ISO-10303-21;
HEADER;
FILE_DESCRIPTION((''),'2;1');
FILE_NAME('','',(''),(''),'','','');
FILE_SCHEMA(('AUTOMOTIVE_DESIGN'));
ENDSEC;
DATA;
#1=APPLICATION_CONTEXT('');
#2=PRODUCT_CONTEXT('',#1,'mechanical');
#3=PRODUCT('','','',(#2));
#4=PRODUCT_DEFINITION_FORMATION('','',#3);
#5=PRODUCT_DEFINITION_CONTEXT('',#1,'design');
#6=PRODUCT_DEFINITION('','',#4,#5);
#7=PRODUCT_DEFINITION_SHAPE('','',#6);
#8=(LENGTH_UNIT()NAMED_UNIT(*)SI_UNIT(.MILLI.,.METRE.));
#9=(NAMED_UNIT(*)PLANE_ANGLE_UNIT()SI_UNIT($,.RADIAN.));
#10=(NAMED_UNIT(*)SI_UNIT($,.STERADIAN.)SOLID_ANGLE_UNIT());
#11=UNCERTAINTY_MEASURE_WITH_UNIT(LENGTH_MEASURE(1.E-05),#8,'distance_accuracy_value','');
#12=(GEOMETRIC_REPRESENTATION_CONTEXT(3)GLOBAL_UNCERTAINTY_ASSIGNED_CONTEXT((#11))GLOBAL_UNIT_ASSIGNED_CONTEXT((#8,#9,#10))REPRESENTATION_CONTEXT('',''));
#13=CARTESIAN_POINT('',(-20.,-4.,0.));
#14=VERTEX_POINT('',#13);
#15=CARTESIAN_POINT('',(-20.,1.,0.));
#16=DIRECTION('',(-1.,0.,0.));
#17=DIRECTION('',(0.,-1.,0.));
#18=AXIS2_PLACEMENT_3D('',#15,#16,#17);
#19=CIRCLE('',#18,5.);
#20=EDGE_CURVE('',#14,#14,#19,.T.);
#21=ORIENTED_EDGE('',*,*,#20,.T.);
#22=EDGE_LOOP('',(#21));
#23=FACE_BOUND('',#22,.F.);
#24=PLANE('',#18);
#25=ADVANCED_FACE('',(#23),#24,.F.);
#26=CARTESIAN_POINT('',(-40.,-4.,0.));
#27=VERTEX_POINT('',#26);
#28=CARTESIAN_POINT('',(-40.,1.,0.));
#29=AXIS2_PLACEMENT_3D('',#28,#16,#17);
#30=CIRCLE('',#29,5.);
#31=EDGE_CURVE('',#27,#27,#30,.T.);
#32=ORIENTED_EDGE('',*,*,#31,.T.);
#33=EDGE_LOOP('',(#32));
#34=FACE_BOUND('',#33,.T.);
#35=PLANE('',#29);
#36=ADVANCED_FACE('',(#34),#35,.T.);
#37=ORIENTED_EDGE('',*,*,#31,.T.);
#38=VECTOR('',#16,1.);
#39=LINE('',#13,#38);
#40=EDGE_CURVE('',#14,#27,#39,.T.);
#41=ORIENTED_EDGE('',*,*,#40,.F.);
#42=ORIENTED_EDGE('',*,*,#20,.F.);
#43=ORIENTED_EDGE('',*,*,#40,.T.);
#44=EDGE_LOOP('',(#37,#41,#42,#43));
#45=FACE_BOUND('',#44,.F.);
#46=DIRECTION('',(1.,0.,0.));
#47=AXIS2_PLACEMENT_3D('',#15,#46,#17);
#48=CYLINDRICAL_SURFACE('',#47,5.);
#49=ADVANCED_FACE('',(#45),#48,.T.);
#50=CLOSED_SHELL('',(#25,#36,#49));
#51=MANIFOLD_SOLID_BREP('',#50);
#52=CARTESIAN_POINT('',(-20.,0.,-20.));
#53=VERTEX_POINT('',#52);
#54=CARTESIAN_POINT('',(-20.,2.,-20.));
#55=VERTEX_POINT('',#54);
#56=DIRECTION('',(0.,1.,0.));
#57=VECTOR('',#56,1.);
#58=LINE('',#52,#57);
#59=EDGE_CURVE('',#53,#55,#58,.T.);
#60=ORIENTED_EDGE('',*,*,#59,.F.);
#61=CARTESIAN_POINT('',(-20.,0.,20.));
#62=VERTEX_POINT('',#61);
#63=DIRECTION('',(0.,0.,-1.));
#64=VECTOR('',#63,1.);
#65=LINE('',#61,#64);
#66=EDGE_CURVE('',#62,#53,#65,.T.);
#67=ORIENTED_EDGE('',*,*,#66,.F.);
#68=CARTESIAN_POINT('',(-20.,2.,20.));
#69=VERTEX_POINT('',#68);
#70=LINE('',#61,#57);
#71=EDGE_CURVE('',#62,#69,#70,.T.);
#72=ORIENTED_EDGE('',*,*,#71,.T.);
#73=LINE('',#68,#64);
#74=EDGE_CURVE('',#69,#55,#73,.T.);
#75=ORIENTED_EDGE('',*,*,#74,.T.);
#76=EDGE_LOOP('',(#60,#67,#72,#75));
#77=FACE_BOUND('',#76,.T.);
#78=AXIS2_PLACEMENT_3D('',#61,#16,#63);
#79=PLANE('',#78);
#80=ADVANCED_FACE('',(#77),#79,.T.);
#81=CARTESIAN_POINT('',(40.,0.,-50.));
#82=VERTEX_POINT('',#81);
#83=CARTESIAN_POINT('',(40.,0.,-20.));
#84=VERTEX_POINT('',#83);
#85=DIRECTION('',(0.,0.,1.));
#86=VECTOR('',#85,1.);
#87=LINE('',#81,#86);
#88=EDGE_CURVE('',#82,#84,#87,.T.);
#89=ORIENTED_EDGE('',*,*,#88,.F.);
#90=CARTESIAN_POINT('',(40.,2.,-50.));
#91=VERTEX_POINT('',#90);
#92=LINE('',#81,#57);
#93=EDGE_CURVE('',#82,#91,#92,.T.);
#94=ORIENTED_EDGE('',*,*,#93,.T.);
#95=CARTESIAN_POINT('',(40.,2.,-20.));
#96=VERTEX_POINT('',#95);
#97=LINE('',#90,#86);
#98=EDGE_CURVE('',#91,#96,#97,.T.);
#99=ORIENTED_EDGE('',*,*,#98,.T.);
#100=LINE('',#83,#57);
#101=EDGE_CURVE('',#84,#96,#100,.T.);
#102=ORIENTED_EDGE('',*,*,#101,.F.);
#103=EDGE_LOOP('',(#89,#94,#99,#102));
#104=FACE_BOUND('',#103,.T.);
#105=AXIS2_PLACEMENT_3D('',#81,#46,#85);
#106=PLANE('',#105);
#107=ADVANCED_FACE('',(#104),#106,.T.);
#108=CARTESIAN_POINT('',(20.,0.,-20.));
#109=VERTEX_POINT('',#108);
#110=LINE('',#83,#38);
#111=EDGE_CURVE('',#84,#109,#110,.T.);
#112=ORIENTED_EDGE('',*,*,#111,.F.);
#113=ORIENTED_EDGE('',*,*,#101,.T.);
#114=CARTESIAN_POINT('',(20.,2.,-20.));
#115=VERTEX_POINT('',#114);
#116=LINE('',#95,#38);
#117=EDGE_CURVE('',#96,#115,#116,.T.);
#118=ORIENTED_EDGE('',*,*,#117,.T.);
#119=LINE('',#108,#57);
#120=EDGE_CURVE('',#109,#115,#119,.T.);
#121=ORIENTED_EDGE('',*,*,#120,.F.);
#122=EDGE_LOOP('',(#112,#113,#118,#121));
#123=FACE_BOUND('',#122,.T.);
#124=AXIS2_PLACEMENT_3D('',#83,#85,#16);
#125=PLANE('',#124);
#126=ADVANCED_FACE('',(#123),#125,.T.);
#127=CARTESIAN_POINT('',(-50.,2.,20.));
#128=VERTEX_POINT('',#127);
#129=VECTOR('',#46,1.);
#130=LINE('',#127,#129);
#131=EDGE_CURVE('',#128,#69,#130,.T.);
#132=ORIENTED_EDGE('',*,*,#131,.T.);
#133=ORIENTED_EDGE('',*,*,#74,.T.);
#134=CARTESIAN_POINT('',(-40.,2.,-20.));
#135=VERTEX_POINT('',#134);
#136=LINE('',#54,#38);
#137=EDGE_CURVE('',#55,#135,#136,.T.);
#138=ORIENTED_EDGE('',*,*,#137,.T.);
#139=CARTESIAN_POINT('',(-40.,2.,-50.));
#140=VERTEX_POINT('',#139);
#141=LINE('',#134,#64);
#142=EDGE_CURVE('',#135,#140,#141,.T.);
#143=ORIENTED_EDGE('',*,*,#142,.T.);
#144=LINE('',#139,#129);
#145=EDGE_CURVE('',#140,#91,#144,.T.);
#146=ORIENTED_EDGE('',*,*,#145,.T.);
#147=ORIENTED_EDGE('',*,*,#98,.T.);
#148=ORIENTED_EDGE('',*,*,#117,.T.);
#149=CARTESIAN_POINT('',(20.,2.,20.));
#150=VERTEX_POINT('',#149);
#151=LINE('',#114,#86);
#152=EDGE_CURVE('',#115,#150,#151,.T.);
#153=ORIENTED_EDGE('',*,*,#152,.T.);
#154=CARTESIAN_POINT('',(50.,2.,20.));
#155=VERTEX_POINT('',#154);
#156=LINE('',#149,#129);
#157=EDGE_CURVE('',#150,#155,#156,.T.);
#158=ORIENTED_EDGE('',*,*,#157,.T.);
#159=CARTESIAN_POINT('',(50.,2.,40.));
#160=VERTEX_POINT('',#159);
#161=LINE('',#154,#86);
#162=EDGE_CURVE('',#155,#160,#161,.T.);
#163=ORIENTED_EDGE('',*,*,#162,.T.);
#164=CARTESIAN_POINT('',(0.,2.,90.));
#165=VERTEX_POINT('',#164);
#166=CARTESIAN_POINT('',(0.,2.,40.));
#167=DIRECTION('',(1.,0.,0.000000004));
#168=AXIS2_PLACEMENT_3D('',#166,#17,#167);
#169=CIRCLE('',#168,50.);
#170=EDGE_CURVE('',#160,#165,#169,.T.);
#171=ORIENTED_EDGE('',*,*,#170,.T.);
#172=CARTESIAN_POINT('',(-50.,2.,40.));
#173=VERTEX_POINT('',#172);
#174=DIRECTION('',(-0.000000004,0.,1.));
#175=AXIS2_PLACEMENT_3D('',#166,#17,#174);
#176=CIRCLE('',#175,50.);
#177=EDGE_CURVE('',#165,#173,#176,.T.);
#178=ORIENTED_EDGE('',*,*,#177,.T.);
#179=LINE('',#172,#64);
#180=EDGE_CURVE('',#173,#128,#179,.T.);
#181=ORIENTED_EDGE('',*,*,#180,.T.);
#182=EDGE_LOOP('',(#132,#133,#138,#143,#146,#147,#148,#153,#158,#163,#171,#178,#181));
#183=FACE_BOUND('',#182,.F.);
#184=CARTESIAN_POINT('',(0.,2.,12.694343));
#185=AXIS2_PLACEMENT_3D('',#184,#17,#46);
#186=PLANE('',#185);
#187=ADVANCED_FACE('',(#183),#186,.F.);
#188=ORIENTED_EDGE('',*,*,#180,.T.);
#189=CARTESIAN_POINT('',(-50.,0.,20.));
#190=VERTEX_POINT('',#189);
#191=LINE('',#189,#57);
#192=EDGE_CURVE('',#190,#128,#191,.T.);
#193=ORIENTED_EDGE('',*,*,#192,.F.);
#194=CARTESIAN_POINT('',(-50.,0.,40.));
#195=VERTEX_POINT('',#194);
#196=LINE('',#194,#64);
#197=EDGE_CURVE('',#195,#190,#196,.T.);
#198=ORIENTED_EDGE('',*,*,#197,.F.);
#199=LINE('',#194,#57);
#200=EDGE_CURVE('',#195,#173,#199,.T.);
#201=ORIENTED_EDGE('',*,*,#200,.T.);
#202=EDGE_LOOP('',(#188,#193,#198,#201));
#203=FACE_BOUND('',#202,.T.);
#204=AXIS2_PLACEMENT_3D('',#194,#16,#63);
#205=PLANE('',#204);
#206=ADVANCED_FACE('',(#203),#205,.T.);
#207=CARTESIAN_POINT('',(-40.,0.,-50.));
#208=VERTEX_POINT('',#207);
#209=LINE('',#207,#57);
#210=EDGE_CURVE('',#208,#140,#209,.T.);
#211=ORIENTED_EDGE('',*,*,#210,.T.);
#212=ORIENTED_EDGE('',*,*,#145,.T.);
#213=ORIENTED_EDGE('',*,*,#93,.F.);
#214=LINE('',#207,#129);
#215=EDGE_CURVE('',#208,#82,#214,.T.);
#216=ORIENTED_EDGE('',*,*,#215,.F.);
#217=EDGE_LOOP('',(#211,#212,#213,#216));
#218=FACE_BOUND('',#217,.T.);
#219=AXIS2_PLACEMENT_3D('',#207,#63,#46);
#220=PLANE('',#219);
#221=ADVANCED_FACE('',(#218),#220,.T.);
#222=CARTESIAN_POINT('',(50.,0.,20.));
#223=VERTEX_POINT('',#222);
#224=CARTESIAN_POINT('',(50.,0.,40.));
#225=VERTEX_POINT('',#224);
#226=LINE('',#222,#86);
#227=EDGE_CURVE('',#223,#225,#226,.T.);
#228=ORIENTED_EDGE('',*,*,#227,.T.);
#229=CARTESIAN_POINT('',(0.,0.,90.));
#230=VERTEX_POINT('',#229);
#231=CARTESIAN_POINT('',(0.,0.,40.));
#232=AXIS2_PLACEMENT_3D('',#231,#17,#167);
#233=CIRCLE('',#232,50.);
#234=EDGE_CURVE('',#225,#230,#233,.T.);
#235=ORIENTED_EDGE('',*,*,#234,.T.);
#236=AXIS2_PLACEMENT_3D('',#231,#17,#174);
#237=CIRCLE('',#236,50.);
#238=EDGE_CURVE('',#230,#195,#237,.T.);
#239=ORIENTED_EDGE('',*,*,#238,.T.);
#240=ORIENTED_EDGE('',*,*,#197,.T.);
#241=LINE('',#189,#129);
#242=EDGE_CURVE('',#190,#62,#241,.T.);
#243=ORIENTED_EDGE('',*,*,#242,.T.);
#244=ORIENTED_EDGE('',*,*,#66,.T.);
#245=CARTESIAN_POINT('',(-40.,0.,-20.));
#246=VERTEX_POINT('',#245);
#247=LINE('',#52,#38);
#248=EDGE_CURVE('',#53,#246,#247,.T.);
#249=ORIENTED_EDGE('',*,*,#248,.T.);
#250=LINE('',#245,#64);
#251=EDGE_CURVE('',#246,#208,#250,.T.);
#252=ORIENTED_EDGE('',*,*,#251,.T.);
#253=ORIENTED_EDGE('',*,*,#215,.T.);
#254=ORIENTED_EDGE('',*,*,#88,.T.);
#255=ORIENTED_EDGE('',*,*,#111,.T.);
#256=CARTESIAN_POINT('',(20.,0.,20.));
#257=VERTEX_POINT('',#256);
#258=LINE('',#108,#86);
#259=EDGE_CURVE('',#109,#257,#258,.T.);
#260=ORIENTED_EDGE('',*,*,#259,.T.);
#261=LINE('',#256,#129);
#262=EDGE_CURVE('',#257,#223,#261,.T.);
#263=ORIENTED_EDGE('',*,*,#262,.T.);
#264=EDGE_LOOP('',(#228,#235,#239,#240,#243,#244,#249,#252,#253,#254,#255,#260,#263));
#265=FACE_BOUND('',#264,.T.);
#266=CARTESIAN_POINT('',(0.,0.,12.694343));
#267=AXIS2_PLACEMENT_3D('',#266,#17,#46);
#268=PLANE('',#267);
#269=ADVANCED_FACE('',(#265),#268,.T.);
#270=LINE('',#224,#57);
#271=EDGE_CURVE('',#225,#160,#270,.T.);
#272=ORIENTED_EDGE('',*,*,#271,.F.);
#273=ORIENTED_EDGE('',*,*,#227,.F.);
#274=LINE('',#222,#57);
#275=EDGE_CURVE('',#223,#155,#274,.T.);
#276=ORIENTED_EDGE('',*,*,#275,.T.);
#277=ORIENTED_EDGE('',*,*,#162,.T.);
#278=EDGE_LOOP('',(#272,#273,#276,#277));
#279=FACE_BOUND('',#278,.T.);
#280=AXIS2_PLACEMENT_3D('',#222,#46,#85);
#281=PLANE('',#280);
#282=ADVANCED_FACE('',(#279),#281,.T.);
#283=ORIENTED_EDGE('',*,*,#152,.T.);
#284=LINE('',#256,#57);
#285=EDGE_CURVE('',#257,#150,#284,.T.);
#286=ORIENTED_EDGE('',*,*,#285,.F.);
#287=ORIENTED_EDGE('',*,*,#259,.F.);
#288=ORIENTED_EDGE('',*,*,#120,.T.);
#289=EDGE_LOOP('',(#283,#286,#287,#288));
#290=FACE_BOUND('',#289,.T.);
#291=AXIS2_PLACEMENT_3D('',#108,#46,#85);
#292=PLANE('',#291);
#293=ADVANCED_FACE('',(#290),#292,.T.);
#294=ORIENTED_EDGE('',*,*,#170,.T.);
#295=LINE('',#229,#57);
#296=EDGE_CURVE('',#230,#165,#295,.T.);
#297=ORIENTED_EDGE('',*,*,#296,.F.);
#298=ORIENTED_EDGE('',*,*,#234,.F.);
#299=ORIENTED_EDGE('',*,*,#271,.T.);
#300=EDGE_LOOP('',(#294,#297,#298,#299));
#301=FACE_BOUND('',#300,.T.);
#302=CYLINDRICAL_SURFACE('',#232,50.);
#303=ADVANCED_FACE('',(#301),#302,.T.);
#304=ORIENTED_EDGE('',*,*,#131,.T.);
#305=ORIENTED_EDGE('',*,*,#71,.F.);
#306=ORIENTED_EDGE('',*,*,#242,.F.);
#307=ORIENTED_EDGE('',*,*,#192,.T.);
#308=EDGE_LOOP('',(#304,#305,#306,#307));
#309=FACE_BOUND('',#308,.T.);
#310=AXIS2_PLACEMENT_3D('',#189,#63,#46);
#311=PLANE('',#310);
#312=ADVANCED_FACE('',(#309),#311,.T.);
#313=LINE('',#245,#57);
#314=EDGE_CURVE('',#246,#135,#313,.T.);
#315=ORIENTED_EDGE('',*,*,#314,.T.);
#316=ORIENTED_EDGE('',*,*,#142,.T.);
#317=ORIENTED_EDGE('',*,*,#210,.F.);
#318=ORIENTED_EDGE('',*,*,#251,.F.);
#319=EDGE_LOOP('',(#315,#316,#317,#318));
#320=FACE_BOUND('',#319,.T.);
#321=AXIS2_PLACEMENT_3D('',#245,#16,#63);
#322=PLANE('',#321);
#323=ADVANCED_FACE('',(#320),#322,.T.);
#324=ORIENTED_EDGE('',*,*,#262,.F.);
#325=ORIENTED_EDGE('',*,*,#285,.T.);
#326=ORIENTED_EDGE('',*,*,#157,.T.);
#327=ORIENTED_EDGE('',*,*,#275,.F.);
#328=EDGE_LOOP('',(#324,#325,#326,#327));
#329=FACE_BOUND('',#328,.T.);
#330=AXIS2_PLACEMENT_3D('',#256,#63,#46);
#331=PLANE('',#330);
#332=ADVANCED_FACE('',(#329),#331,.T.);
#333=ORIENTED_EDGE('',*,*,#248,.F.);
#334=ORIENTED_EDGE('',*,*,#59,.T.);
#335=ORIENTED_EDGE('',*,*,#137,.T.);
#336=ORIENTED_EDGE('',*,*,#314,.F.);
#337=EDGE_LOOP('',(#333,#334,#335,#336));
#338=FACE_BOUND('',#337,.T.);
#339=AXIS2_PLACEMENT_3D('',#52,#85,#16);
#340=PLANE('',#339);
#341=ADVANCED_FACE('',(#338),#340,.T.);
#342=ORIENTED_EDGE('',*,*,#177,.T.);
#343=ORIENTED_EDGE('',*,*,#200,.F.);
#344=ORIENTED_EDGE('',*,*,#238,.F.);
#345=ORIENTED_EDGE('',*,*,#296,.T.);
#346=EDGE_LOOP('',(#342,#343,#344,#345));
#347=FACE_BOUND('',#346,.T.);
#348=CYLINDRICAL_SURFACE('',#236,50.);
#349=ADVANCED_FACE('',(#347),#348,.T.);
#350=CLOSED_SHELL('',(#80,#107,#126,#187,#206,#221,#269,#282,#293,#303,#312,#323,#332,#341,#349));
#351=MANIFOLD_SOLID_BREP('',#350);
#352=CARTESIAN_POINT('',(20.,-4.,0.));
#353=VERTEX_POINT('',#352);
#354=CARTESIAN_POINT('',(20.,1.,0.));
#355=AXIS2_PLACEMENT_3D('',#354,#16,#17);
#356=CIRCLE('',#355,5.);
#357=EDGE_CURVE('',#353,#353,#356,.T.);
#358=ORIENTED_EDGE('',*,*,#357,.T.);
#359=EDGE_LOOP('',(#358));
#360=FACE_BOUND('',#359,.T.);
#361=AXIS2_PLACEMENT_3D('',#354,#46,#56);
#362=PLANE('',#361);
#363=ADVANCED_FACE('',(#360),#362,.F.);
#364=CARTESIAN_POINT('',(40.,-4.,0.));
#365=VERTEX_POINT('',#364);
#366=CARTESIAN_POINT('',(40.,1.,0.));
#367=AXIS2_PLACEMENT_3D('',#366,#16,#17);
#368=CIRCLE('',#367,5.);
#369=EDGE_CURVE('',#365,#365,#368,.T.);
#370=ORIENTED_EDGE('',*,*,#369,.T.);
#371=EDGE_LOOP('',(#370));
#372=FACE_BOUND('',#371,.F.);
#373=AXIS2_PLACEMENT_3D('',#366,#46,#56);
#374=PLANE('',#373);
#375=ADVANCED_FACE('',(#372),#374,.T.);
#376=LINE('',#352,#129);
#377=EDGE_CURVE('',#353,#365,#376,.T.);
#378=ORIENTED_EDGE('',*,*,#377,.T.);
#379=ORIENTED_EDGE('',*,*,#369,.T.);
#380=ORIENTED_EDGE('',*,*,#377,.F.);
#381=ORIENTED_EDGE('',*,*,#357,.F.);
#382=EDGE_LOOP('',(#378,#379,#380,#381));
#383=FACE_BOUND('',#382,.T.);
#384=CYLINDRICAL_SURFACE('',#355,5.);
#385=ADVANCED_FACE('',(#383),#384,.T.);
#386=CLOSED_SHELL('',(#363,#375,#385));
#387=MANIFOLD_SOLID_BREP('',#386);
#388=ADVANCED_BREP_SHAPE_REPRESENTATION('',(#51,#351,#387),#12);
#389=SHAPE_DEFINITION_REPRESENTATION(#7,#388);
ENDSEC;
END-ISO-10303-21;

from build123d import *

# Parameters (mm, degrees)
F1_DEPTH = 2
F2_R     = 5
F3_DEPTH = 20


with BuildPart() as f1:
    # F0 (on Front) → F1 (new body)
    with BuildSketch(Plane.XZ):
        with BuildLine():
            Line((-40, -50), (0, -50))
            Line((0, -50), (40, -50))
            Line((40, -50), (40, -20))
            Line((40, -20), (20, -20))
            Line((20, -20), (20, 20))
            Line((20, 20), (50, 20))
            Line((50, 20), (50, 40))
            ThreePointArc((50, 40), (35.355339, 75.355339), (0, 90))
            ThreePointArc((0, 90), (-35.355339, 75.355339), (-50, 40))
            Line((-50, 40), (-50, 20))
            Line((-50, 20), (-20, 20))
            Line((-20, 20), (-20, -20))
            Line((-20, -20), (-40, -20))
            Line((-40, -20), (-40, -50))
        make_face()
    extrude(amount=-F1_DEPTH)


with BuildPart() as f3:
    # F2 (on face) → F3 (new body)
    with BuildSketch(Plane(origin=(-20, 0, 0), x_dir=(0, -1, 0), z_dir=(-1, 0, 0))):
        with Locations((-1, 0)):
            Circle(F2_R)
    extrude(amount=F3_DEPTH)


with BuildPart() as f4_1:
    # F4: instance of F3
    add(f3.part.mirror(Plane.YZ))


solid = Compound([f1.part, f3.part, f4_1.part])
